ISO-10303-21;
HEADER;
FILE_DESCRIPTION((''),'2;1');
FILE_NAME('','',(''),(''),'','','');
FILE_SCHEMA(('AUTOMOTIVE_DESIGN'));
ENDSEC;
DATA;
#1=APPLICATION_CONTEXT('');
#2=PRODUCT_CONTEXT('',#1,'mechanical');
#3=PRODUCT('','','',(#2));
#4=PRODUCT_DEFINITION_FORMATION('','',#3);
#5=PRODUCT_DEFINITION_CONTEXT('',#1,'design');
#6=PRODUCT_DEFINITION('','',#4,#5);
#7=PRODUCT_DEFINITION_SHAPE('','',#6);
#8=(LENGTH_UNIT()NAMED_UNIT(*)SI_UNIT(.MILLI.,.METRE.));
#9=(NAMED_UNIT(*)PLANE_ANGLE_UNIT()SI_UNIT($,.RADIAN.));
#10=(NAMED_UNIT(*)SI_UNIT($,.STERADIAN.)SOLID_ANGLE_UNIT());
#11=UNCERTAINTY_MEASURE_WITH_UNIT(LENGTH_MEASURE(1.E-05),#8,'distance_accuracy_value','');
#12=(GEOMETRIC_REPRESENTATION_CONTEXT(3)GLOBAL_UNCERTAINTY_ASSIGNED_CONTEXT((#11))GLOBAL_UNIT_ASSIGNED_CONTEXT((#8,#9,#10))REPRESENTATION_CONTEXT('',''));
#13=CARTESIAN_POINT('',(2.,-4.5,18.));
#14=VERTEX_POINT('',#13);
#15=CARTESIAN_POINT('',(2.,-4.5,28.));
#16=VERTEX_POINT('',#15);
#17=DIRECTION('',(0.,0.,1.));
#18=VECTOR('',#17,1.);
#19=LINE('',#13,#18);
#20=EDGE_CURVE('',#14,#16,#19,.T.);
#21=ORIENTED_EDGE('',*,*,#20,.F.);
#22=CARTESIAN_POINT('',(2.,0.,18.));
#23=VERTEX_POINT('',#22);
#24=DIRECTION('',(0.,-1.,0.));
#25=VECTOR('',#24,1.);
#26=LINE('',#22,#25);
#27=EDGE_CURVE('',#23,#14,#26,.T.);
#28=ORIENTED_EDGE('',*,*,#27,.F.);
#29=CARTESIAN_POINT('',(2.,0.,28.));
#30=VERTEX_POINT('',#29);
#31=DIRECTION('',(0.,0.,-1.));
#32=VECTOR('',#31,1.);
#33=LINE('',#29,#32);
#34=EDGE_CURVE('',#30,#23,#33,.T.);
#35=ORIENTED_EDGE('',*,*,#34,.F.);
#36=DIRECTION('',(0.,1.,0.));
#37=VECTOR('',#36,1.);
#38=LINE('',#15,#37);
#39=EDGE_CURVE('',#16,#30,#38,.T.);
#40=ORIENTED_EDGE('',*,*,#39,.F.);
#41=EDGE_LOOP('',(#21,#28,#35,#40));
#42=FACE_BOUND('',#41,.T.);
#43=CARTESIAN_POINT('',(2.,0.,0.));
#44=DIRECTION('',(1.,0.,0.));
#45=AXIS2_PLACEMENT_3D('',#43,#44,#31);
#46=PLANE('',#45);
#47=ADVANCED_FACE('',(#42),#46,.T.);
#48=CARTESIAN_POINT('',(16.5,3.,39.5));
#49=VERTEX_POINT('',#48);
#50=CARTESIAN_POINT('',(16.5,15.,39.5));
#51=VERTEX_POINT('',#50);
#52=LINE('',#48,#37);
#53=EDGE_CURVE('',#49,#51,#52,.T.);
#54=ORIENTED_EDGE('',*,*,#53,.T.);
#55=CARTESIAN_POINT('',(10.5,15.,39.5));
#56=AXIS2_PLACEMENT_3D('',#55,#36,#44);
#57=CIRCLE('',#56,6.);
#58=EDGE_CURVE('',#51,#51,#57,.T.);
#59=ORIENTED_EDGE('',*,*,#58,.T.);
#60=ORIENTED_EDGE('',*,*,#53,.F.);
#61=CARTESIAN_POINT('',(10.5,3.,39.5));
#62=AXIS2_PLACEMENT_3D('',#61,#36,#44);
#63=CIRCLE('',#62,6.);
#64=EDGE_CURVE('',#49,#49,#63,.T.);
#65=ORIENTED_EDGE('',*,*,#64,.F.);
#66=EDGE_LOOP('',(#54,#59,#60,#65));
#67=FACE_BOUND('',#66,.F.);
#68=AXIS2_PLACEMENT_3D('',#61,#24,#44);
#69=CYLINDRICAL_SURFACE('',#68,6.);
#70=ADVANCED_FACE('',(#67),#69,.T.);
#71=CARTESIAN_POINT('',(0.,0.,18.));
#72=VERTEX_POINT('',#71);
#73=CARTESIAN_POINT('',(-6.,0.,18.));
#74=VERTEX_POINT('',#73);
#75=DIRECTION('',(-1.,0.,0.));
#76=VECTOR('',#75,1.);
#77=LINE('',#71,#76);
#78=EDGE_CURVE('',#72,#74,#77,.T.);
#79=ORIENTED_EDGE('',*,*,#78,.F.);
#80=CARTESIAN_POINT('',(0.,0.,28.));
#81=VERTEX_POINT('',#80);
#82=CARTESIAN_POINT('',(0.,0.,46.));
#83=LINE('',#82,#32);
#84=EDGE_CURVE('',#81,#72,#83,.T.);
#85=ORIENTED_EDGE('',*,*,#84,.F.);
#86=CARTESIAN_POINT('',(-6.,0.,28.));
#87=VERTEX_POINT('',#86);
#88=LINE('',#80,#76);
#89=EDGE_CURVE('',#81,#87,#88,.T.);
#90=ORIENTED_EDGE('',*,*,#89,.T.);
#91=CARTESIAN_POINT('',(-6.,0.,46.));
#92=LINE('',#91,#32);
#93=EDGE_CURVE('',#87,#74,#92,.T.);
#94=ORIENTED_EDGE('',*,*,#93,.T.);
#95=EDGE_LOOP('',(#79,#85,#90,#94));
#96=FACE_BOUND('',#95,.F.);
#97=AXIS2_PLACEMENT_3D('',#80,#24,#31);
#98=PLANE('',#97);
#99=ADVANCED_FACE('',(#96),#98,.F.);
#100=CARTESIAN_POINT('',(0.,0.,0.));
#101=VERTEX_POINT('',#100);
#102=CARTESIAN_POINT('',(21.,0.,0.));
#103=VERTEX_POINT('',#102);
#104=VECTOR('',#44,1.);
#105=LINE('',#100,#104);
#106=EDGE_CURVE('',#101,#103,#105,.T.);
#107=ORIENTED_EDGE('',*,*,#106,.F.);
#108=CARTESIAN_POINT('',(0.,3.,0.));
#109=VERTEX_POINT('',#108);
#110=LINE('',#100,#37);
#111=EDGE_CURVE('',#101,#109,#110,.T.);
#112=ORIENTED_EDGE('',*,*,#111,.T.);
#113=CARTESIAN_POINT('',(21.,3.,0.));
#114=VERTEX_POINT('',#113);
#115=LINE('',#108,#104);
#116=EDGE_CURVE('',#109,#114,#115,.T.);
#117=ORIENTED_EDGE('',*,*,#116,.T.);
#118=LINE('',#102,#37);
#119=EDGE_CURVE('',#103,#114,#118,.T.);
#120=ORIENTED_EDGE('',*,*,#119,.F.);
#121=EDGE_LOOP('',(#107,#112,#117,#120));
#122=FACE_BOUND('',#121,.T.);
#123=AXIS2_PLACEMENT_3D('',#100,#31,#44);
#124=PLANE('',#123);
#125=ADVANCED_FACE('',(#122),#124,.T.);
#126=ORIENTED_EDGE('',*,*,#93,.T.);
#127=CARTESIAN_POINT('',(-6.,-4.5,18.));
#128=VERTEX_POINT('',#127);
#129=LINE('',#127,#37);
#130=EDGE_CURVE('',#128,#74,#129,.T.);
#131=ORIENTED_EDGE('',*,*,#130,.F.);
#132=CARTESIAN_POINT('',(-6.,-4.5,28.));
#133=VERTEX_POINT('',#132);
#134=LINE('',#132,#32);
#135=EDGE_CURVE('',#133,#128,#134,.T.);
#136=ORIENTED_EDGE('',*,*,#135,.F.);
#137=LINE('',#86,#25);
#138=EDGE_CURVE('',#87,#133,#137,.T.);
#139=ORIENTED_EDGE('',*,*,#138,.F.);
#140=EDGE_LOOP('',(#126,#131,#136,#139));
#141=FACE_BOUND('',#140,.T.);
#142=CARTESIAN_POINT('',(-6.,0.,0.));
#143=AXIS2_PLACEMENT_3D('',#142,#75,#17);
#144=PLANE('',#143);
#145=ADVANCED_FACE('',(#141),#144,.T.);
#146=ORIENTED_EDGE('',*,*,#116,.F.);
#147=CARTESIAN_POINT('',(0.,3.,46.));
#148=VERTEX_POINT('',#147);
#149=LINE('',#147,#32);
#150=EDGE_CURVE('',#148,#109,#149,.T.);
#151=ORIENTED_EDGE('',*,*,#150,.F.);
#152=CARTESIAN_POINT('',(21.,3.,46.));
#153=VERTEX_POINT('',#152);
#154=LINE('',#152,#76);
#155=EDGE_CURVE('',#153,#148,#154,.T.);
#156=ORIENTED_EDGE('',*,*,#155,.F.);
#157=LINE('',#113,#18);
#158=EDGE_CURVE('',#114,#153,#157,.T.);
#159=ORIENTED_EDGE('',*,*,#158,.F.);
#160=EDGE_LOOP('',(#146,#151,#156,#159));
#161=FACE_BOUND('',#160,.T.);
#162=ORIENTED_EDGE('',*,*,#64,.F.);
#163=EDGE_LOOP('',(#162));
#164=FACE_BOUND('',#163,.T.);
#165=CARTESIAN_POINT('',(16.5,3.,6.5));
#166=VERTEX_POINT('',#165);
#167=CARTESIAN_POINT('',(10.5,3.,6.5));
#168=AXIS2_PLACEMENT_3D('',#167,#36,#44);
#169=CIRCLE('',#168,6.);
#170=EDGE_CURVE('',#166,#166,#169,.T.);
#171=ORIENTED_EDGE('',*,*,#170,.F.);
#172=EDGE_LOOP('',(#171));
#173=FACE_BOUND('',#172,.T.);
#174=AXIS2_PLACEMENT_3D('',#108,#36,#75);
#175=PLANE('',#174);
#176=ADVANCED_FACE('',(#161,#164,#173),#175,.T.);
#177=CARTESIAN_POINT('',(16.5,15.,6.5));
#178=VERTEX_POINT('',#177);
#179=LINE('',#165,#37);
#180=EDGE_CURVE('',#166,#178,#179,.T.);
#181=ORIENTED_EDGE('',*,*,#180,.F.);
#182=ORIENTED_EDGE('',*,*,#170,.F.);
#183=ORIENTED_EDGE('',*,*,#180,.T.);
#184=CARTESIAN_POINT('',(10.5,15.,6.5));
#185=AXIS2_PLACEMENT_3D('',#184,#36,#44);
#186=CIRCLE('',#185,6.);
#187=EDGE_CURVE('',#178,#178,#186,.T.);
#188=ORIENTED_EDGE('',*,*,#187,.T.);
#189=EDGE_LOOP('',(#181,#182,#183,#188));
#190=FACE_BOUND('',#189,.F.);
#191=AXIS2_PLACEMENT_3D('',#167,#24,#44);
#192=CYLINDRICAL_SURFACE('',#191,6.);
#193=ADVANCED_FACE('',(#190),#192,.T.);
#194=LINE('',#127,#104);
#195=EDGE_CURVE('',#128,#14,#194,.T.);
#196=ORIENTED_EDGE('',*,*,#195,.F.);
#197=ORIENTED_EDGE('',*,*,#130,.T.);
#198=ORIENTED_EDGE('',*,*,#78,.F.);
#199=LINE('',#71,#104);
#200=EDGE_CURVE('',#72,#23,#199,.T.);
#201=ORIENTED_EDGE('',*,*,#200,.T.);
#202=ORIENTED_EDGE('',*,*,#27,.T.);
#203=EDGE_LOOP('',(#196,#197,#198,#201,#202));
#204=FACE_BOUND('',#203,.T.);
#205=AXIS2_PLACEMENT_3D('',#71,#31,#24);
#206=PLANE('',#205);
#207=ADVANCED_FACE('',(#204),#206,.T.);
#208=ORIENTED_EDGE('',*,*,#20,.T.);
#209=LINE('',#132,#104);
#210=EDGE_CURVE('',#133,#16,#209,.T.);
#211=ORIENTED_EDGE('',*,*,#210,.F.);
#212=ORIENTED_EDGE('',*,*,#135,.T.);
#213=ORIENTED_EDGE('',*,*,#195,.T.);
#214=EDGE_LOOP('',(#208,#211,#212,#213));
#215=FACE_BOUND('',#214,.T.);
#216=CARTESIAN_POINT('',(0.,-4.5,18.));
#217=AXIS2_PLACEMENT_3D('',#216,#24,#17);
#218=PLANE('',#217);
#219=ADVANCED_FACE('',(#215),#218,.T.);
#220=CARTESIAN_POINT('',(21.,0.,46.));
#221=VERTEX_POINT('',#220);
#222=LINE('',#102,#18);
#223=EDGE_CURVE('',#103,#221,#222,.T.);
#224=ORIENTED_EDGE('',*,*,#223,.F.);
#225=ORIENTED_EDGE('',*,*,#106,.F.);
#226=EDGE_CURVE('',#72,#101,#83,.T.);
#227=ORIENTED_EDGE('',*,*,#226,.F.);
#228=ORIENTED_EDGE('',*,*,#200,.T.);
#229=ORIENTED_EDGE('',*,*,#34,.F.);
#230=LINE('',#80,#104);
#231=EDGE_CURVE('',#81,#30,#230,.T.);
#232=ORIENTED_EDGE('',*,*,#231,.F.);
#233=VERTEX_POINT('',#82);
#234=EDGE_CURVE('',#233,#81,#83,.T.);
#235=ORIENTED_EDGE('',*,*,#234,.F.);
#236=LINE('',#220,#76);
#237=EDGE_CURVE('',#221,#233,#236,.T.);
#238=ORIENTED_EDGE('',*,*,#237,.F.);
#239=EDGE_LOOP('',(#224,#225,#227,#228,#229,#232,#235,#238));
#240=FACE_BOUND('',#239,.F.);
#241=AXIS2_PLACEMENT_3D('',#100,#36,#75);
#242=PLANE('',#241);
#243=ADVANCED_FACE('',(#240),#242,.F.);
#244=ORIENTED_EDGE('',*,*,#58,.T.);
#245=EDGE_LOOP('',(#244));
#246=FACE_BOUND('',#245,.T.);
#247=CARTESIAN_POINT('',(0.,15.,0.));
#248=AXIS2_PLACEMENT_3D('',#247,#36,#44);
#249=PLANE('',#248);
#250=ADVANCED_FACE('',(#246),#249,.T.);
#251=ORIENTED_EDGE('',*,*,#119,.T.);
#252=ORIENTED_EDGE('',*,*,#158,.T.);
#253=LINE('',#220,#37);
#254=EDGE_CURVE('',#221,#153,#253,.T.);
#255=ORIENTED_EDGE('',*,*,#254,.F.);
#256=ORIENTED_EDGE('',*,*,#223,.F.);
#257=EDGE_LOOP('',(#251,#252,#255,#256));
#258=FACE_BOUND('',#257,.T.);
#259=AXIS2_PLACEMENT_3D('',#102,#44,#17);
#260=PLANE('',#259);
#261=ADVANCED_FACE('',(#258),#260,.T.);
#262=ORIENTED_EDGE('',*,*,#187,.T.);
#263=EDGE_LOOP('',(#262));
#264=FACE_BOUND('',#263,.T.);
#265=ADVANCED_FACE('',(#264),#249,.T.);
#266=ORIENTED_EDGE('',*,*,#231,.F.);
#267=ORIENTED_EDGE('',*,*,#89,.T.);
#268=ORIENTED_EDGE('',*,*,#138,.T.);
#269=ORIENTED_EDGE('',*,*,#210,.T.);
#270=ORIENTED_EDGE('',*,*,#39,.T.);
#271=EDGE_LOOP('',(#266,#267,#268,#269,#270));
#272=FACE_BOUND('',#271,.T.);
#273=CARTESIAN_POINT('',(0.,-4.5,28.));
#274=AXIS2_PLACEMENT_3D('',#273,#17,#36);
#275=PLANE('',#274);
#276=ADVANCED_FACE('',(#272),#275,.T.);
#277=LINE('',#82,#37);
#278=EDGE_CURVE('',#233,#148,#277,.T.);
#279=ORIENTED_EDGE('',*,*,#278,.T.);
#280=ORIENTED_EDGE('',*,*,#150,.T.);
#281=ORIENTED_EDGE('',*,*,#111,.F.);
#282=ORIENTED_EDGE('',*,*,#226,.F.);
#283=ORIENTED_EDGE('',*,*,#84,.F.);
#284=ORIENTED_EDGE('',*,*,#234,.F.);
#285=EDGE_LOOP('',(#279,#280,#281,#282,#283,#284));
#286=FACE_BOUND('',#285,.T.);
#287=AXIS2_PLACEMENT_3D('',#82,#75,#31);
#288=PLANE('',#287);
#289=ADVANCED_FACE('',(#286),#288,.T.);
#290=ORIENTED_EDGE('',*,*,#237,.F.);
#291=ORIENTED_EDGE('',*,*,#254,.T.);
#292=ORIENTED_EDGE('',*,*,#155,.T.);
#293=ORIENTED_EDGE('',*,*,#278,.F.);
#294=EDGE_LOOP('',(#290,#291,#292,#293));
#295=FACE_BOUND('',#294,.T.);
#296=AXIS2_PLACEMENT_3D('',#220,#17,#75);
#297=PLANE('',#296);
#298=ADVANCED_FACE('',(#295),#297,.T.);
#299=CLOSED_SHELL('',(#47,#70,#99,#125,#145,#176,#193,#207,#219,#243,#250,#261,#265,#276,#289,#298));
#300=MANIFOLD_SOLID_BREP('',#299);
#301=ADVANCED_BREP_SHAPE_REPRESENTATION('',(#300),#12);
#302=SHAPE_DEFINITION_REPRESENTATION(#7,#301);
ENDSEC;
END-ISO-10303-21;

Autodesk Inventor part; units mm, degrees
ref_plane "YZ Plane" through (0, 0, 0) normal (1, 0, 0) x (0, 1, 0)
ref_plane "XZ Plane" through (0, 0, 0) normal (0, 1, 0) x (-1, 0, 0)
ref_plane "XY Plane" through (0, 0, 0) normal (0, 0, 1) x (1, 0, 0)
sketch "Sketch1" plane through (0, 0, 0) normal (0, 1, 0) x (-1, 0, 0)
  line L0 (0, 0) -> (-21, 0)
  line L1 (-21, 0) -> (-21, 46)
  line L2 (-21, 46) -> (0, 46)
  line L3 (0, 46) -> (0, 0)
  dimension "d0" = 21
  dimension "d1" = 46
extrude "Extrusion1" add sketch "Sketch1" along normal blind 3
sketch "Sketch2" plane through (0, 3, 0) normal (0, 1, 0) x (1, 0, 0)
  line L0 (21, 0) -> (0, 0) projected
  line L1 (0, -46) -> (21, -46) projected
  circle A0 centre (10.5, -39.5) radius 6
  line L2 (0, 0) -> (0, -46) projected
  line L3 (0, -23) -> (21, -23)
  line L4 (21, -46) -> (21, 0) projected
  circle A1 centre (10.5, -6.5) radius 6
  dimension "d6" = 12
extrude "Extrusion2" add sketch "Sketch2" along normal blind 12 contours A0 | A1
sketch "Sketch3" plane through (0, 0, 0) normal (-1, 0, 0) x (0, 0, 1)
  line L0 (46, 0) -> (0, 0) projected
  line L1 (18, 0) -> (28, 0)
  line L2 (28, 0) -> (28, -4.5)
  line L3 (28, -4.5) -> (18, -4.5)
  line L4 (18, -4.5) -> (18, 0)
  dimension "d11" = 10
extrude "Extrusion3" add sketch "Sketch3" along normal blind 6
sketch "Sketch4" plane through (0, 0, 0) normal (1, 0, 0) x (0, 0, -1)
  line L0 (-28, -4.5) -> (-28, 0) projected
  line L1 (-18, 0) -> (-18, -4.5) projected
  line L2 (-28, 0) -> (-18, 0)
  line L3 (-18, 0) -> (-18, -4.5)
  line L4 (-18, -4.5) -> (-28, -4.5)
  line L5 (-28, -4.5) -> (-28, 0)
  point P0 (0, 0)
extrude "Extrusion4" add sketch "Sketch4" along normal blind 2
properties part number "Sensore ultrasuoni"
